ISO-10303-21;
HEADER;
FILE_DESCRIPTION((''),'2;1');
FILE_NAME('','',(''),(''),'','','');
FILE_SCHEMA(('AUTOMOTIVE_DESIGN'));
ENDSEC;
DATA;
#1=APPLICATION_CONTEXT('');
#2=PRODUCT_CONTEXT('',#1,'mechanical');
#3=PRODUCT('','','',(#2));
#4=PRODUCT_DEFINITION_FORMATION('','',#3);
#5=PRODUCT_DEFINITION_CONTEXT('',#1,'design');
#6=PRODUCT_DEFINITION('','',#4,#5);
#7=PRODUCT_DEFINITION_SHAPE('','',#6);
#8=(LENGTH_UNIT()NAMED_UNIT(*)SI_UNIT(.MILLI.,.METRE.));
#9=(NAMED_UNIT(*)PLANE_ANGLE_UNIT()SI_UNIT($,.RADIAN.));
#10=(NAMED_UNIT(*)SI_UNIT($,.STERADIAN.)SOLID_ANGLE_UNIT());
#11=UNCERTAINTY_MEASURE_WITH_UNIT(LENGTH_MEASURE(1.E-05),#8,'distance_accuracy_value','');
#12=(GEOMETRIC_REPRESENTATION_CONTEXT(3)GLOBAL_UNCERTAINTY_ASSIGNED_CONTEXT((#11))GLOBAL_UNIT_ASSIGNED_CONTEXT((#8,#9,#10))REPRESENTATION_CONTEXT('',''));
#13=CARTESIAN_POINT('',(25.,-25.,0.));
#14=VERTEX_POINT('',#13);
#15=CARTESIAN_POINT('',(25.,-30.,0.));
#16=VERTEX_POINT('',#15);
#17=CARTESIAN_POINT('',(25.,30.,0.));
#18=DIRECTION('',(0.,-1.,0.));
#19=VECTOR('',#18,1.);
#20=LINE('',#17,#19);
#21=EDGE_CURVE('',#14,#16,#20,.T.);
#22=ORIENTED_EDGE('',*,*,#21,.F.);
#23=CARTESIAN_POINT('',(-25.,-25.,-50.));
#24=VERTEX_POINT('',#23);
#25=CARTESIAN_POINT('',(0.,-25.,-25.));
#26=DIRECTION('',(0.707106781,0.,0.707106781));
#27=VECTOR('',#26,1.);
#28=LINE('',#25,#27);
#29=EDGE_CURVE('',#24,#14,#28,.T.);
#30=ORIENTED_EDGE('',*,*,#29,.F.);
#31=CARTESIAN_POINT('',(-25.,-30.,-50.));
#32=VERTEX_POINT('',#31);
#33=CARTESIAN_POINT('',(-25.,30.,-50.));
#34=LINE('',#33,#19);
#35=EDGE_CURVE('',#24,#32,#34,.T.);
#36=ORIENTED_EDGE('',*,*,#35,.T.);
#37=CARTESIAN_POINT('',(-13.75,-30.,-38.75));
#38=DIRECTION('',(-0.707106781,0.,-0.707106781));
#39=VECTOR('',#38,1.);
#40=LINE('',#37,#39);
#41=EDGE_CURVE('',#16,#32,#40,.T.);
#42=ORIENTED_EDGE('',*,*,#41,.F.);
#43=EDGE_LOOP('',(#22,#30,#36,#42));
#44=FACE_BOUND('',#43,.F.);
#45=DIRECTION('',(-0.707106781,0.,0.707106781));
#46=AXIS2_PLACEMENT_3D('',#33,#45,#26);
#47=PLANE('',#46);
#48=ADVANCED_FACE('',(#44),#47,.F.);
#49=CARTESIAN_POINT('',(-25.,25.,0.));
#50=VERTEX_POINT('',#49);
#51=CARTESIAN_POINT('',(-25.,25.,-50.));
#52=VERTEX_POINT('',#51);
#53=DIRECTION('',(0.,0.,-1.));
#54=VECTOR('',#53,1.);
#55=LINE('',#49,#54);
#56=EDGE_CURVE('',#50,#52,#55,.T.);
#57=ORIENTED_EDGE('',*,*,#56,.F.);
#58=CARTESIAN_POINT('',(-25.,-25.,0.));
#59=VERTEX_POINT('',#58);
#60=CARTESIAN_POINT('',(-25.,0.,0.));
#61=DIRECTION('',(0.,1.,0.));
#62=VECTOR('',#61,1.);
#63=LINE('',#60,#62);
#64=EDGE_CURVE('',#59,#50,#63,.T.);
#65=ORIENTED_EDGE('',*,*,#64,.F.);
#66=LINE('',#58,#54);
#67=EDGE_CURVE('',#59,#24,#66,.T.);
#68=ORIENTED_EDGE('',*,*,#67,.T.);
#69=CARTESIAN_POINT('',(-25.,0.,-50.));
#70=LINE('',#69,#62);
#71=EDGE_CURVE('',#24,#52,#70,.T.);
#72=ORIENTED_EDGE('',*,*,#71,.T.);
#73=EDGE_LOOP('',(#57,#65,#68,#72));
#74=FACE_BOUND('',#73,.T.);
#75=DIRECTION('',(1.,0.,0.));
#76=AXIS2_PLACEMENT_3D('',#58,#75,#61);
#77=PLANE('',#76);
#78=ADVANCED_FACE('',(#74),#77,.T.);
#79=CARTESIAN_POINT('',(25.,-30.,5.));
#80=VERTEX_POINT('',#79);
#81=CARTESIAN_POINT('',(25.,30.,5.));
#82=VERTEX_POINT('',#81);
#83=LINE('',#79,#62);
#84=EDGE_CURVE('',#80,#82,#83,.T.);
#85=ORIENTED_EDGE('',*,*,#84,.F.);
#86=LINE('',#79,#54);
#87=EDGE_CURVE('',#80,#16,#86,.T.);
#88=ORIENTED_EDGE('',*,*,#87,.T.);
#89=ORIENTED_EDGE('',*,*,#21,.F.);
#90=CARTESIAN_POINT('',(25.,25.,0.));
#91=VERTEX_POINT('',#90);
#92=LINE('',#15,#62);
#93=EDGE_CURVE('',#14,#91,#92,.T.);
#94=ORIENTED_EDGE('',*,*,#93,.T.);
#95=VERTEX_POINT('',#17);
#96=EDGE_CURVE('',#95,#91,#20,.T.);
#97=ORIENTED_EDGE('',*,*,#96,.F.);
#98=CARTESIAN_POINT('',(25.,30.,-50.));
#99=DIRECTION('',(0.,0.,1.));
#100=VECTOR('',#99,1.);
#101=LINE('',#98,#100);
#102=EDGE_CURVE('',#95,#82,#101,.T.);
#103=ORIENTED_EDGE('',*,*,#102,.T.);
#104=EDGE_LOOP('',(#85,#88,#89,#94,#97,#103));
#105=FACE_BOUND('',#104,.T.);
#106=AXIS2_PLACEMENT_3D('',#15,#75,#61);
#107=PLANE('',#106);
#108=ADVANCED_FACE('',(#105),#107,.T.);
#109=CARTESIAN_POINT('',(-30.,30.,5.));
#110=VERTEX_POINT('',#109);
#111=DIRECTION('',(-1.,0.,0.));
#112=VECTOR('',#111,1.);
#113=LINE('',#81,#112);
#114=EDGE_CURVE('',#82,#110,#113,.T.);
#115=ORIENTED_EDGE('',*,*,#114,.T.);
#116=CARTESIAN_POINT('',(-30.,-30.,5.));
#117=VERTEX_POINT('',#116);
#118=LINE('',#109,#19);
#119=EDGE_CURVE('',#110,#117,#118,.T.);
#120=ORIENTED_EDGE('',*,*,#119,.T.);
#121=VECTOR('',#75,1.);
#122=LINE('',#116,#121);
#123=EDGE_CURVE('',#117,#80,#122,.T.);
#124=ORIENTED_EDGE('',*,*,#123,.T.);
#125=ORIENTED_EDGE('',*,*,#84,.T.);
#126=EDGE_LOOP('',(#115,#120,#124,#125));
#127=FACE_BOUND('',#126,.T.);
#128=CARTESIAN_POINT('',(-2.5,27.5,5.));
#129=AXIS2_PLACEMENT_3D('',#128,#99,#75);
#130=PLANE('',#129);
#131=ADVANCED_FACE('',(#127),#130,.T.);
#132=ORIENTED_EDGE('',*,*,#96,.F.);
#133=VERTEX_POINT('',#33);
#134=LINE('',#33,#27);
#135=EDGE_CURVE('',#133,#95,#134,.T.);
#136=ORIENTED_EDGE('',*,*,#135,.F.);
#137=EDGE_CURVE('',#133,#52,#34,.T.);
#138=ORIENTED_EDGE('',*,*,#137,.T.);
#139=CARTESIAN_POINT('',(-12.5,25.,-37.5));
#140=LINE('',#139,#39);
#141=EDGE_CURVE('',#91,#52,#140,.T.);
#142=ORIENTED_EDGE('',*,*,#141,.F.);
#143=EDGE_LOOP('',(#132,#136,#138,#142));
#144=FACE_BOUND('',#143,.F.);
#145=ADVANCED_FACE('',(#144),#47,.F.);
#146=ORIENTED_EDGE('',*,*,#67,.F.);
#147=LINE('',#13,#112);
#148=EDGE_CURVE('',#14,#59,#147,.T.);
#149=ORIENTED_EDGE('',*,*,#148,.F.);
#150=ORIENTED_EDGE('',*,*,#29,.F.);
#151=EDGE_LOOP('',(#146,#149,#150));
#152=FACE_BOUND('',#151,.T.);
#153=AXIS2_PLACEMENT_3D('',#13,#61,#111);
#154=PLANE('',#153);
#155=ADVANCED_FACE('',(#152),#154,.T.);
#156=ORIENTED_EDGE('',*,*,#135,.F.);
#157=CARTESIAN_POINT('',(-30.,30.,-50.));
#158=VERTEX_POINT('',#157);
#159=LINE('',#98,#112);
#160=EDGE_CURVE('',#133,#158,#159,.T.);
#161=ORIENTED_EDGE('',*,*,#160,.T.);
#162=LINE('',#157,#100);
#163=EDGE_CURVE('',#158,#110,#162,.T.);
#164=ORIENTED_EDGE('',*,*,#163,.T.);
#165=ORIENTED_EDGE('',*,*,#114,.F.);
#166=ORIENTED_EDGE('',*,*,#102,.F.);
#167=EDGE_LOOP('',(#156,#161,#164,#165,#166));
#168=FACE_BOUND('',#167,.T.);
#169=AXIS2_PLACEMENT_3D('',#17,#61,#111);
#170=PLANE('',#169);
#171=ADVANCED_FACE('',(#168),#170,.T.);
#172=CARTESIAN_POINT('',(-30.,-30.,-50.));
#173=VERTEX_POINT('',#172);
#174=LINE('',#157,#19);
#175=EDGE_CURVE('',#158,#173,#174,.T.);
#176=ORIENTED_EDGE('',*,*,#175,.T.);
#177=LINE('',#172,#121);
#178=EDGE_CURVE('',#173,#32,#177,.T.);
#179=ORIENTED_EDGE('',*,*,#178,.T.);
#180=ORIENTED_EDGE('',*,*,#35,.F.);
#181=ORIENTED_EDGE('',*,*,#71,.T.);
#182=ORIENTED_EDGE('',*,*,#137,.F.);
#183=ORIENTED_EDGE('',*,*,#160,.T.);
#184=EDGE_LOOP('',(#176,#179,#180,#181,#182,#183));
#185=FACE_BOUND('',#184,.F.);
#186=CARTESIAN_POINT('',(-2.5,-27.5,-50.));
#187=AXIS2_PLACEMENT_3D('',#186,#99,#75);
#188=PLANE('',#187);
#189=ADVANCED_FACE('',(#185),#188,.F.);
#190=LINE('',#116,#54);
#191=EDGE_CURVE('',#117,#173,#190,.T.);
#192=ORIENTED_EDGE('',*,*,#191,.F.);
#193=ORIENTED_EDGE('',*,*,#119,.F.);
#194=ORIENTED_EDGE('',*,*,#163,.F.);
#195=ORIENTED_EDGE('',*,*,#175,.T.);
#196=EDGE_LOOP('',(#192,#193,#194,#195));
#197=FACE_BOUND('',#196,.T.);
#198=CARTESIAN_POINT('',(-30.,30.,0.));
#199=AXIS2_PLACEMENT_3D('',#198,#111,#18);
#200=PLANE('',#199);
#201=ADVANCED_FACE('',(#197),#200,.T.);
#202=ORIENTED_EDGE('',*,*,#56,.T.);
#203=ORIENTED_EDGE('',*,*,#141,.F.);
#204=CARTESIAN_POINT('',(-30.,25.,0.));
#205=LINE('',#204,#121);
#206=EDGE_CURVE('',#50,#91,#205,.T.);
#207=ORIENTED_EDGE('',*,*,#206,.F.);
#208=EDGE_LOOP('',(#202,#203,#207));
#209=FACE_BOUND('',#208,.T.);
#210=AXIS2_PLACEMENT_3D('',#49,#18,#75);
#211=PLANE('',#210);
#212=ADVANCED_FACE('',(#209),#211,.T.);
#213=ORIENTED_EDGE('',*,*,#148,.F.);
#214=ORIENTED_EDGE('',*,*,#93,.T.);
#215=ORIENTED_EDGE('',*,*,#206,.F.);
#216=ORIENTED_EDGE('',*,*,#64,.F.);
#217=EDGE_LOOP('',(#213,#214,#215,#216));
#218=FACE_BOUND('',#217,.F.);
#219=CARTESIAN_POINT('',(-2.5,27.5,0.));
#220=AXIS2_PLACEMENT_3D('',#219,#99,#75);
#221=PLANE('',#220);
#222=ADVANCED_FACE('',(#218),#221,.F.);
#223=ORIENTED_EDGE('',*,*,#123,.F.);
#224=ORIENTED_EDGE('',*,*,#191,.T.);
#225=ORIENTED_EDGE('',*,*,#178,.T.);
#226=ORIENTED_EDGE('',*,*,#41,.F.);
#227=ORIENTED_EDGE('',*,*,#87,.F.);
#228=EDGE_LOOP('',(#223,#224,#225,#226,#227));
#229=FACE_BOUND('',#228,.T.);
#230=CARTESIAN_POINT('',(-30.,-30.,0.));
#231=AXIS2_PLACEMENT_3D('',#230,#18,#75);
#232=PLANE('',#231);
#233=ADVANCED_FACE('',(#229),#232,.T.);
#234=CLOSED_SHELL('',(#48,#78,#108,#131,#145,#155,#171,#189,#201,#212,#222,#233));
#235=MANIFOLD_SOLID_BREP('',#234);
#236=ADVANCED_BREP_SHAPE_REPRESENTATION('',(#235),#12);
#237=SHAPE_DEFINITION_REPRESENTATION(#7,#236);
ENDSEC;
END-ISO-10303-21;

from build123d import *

# Parameters (mm, degrees)
F2_W     = 5
F2_H     = 50
F2_W_2   = 50
F3_DEPTH = 5
F4_DEPTH = 50
F6_DEPTH = 60.001


with BuildPart() as f3:
    # F2 (on Top) → F3 (new body)
    with BuildSketch(Plane.XY):
        Polygon((-30, 25), (-25, 25), (25, 25), (25, 30), (-30, 30), align=None)
        with Locations((-27.5, 0)):
            Rectangle(F2_W, F2_H)
        Rectangle(F2_W_2, F2_H)
        Polygon((25, -25), (-25, -25), (-30, -25), (-30, -30), (25, -30), align=None)
    extrude(amount=F3_DEPTH)

    # F2 (on Top) → F4 (join)
    with BuildSketch(Plane.XY):
        Polygon((25, -25), (-25, -25), (-30, -25), (-30, -30), (25, -30), align=None)
        Polygon((-30, 25), (-25, 25), (25, 25), (25, 30), (-30, 30), align=None)
        with Locations((-27.5, 0)):
            Rectangle(F2_W, F2_H)
    extrude(amount=-F4_DEPTH)

    # F5 (on face) → F6 (cut, through all)
    with BuildSketch(Plane(origin=(0, 30, 0), x_dir=(-1, 0, 0), z_dir=(0, 1, 0))):
        Polygon((25, -50), (-25, 0), (-25, -50), align=None)
    extrude(amount=-F6_DEPTH, mode=Mode.SUBTRACT)


solid = f3.part
